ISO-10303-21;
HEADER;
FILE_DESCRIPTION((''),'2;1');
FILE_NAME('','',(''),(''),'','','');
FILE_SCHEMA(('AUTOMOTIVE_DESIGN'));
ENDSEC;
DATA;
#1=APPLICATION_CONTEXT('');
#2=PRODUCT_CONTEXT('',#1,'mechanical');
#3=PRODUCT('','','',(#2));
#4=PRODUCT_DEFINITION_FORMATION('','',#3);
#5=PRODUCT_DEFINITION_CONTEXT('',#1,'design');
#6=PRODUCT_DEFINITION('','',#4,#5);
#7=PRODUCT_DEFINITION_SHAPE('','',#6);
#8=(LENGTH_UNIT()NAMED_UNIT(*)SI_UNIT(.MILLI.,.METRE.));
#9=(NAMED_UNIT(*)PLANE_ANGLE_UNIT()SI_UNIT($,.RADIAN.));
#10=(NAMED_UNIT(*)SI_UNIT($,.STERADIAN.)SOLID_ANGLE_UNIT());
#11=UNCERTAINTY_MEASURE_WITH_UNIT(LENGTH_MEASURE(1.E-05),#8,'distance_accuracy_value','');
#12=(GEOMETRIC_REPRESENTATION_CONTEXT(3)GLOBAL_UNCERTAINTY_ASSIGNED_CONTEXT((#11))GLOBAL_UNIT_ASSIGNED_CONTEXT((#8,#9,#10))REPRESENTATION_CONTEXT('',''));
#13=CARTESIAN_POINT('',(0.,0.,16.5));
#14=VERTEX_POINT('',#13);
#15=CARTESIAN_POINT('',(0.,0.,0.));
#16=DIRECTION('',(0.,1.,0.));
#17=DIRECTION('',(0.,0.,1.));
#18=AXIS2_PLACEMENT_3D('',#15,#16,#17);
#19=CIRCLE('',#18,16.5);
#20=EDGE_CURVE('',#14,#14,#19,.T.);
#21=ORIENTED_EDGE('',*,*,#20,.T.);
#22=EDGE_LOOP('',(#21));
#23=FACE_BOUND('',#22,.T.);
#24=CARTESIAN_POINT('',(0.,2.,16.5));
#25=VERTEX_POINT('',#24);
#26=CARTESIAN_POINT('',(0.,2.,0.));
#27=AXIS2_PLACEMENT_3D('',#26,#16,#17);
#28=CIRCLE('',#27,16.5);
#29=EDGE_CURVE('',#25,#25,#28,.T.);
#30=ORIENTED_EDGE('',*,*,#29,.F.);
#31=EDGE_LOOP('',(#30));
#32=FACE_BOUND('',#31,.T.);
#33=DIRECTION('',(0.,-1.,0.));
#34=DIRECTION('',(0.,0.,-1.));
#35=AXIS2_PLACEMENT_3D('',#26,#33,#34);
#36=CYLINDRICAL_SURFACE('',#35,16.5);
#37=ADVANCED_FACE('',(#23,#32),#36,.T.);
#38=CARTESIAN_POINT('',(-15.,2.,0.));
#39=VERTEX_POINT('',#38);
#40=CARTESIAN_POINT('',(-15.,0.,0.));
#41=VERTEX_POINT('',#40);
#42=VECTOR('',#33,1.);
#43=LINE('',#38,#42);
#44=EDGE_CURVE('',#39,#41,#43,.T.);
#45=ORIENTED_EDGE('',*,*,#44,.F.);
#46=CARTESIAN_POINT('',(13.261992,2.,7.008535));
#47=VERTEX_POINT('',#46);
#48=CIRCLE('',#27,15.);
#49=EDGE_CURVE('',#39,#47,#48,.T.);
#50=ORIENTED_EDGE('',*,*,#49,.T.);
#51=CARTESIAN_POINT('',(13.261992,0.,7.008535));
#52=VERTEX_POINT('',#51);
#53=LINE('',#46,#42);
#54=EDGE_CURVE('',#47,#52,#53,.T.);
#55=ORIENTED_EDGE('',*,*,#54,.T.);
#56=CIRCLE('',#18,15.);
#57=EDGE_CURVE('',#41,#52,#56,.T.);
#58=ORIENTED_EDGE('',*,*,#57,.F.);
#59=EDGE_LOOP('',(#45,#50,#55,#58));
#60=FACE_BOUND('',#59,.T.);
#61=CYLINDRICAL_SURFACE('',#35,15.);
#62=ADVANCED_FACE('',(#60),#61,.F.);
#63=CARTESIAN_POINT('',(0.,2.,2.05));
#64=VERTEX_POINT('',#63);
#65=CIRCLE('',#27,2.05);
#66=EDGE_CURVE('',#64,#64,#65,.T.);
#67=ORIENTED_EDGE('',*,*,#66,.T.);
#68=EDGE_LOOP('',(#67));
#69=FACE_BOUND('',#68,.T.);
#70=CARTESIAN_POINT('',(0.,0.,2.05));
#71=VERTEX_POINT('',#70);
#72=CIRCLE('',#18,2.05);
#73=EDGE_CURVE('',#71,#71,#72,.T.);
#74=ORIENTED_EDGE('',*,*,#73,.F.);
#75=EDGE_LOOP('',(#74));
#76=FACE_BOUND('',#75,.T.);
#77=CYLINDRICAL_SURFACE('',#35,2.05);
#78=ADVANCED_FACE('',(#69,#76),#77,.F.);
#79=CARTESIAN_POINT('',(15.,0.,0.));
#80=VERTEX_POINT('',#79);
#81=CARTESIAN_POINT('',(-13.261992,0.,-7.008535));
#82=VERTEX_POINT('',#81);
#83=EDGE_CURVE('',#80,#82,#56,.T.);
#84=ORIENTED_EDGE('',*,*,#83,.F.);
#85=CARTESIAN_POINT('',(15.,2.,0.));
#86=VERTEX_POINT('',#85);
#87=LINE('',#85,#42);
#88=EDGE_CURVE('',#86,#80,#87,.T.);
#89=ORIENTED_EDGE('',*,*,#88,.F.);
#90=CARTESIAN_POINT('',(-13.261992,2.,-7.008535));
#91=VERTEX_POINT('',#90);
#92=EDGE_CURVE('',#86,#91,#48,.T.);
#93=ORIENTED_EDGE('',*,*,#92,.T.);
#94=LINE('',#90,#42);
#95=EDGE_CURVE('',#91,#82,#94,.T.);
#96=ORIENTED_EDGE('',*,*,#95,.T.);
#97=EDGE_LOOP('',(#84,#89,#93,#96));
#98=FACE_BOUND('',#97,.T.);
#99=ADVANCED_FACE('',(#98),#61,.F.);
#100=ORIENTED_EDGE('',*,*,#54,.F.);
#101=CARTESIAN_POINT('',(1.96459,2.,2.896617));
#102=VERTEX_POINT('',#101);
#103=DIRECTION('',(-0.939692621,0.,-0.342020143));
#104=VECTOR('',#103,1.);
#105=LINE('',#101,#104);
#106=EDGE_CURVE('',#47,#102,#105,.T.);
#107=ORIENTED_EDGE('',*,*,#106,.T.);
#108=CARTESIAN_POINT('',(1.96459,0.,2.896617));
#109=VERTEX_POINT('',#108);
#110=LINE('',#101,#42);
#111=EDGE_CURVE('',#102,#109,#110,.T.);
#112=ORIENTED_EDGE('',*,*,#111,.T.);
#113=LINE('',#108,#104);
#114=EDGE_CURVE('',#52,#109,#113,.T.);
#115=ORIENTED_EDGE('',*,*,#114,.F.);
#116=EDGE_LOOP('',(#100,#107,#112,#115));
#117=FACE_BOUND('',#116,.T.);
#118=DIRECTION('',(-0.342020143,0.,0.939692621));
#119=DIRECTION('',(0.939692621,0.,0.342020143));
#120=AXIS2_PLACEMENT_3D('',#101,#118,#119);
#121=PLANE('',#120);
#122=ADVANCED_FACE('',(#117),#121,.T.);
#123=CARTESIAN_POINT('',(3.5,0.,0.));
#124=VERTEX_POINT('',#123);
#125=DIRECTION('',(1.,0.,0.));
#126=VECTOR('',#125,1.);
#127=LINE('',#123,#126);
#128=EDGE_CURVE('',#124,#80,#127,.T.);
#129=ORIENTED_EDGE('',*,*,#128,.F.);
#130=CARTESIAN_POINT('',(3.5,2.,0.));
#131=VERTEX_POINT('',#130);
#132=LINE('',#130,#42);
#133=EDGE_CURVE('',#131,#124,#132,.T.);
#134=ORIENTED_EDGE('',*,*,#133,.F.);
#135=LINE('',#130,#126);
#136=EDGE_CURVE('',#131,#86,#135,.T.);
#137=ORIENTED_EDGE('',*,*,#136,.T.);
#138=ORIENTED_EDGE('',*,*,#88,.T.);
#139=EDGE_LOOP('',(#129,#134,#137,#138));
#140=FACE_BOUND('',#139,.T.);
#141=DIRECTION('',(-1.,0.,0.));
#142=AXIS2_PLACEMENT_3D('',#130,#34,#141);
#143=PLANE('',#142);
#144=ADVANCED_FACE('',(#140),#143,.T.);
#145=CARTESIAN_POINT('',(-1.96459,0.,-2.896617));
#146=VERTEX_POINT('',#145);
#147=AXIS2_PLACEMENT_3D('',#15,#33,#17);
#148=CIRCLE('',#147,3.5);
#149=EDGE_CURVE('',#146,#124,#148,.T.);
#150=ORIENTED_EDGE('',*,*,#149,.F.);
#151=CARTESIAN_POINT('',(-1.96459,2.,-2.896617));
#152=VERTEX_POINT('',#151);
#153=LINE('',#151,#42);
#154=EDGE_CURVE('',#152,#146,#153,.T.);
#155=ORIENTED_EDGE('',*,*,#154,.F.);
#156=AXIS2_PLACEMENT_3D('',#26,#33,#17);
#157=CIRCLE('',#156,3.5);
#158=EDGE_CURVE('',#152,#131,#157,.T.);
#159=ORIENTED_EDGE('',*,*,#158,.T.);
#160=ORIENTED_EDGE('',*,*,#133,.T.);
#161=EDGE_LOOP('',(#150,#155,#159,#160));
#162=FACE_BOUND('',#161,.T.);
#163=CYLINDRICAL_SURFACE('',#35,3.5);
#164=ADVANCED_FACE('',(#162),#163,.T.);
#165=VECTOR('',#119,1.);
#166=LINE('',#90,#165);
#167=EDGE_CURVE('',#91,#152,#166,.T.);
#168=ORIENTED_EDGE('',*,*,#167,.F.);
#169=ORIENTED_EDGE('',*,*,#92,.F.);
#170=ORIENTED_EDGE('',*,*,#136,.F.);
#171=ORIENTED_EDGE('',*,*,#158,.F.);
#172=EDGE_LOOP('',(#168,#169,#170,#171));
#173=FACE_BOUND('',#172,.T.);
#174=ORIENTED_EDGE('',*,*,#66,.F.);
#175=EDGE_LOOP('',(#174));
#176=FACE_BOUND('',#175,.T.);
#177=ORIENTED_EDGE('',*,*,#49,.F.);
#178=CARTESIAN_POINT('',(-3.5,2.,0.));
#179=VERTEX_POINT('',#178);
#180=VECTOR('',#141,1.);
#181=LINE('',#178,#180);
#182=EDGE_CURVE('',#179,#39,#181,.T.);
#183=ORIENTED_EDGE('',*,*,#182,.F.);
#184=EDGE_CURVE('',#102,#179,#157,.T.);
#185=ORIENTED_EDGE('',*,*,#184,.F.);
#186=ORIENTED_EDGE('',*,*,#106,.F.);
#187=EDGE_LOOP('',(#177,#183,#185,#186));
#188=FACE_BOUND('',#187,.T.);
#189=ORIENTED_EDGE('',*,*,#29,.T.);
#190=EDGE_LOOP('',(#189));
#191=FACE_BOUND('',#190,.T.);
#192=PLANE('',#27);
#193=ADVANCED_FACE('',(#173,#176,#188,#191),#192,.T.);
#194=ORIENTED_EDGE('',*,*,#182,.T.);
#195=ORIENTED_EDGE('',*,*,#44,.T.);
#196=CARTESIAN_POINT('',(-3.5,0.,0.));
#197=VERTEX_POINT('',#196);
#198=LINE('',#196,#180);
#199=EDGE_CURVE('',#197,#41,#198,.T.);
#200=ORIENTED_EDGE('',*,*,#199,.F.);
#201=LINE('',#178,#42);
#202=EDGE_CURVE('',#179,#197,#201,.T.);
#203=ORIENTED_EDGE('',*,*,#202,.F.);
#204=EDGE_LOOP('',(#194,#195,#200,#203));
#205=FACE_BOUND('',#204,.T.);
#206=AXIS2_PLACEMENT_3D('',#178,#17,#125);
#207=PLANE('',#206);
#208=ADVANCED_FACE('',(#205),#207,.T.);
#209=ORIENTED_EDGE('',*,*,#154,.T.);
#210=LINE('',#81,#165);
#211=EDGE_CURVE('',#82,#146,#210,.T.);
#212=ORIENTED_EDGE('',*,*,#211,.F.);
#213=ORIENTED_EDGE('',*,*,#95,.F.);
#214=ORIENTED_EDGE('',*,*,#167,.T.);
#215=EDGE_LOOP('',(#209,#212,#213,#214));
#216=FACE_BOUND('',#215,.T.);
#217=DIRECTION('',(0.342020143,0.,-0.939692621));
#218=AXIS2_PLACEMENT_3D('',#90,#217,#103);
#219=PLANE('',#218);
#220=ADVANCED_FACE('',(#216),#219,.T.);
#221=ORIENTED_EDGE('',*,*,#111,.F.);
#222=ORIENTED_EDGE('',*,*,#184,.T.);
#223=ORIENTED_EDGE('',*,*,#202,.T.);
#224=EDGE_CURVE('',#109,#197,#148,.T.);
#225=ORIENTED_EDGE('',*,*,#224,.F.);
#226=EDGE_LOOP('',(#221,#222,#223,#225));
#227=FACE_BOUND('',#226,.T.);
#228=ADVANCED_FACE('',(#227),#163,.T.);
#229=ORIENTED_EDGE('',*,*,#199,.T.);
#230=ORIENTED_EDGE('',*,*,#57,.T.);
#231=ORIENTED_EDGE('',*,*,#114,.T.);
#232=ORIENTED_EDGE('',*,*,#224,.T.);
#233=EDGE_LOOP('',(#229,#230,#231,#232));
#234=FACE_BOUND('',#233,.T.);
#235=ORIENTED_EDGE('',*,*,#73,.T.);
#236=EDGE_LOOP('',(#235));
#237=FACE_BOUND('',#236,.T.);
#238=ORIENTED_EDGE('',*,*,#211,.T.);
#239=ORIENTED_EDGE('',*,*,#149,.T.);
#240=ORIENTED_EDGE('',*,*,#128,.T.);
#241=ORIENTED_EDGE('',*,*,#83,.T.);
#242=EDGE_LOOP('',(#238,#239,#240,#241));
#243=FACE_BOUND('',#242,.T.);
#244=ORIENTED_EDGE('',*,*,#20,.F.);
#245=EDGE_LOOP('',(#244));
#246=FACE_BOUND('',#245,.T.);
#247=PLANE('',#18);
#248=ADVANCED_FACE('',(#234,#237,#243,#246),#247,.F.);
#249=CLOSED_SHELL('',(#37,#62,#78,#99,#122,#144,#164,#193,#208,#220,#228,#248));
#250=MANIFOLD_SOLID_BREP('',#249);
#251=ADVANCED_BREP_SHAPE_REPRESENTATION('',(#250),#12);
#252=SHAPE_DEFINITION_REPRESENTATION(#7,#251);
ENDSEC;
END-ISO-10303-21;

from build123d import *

# Parameters (mm, degrees)
SKETCH1_R           = 16.5
SKETCH1_R_2         = 2.05
BOSS_EXTRUDE1_DEPTH = 2


with BuildPart() as part:
    # Sketch1 → Boss-Extrude1 (new body)
    with BuildSketch(Plane(origin=(0, 0, 0), x_dir=(1, 0, 0), z_dir=(0, 1, 0))):
        with Locations(Location((0, 0, 0), (0, 0, 270))):
            Circle(SKETCH1_R)
        with Locations(Location((0, 0, 0), (0, 0, 270))):
            Circle(SKETCH1_R_2, mode=Mode.SUBTRACT)
        with BuildLine():
            Line((-3.5, 0), (-15, 0))
            ThreePointArc((-15, 0), (-3.610409667, -14.559015833), (13.261992272, -7.008534867))
            Line((13.261992272, -7.008534867), (1.964589624, -2.896616579))
            ThreePointArc((1.964589624, -2.896616579), (-1.639197413, -3.092415212), (-3.5, 0))
        make_face(mode=Mode.SUBTRACT)
        with BuildLine():
            Line((-13.261992272, 7.008534867), (-1.964589624, 2.896616579))
            ThreePointArc((-1.964589624, 2.896616579), (1.639197413, 3.092415212), (3.5, 0))
            Line((3.5, 0), (15, 0))
            ThreePointArc((15, 0), (3.610409667, 14.559015833), (-13.261992272, 7.008534867))
        make_face(mode=Mode.SUBTRACT)
    extrude(amount=BOSS_EXTRUDE1_DEPTH)


solid = part.part
